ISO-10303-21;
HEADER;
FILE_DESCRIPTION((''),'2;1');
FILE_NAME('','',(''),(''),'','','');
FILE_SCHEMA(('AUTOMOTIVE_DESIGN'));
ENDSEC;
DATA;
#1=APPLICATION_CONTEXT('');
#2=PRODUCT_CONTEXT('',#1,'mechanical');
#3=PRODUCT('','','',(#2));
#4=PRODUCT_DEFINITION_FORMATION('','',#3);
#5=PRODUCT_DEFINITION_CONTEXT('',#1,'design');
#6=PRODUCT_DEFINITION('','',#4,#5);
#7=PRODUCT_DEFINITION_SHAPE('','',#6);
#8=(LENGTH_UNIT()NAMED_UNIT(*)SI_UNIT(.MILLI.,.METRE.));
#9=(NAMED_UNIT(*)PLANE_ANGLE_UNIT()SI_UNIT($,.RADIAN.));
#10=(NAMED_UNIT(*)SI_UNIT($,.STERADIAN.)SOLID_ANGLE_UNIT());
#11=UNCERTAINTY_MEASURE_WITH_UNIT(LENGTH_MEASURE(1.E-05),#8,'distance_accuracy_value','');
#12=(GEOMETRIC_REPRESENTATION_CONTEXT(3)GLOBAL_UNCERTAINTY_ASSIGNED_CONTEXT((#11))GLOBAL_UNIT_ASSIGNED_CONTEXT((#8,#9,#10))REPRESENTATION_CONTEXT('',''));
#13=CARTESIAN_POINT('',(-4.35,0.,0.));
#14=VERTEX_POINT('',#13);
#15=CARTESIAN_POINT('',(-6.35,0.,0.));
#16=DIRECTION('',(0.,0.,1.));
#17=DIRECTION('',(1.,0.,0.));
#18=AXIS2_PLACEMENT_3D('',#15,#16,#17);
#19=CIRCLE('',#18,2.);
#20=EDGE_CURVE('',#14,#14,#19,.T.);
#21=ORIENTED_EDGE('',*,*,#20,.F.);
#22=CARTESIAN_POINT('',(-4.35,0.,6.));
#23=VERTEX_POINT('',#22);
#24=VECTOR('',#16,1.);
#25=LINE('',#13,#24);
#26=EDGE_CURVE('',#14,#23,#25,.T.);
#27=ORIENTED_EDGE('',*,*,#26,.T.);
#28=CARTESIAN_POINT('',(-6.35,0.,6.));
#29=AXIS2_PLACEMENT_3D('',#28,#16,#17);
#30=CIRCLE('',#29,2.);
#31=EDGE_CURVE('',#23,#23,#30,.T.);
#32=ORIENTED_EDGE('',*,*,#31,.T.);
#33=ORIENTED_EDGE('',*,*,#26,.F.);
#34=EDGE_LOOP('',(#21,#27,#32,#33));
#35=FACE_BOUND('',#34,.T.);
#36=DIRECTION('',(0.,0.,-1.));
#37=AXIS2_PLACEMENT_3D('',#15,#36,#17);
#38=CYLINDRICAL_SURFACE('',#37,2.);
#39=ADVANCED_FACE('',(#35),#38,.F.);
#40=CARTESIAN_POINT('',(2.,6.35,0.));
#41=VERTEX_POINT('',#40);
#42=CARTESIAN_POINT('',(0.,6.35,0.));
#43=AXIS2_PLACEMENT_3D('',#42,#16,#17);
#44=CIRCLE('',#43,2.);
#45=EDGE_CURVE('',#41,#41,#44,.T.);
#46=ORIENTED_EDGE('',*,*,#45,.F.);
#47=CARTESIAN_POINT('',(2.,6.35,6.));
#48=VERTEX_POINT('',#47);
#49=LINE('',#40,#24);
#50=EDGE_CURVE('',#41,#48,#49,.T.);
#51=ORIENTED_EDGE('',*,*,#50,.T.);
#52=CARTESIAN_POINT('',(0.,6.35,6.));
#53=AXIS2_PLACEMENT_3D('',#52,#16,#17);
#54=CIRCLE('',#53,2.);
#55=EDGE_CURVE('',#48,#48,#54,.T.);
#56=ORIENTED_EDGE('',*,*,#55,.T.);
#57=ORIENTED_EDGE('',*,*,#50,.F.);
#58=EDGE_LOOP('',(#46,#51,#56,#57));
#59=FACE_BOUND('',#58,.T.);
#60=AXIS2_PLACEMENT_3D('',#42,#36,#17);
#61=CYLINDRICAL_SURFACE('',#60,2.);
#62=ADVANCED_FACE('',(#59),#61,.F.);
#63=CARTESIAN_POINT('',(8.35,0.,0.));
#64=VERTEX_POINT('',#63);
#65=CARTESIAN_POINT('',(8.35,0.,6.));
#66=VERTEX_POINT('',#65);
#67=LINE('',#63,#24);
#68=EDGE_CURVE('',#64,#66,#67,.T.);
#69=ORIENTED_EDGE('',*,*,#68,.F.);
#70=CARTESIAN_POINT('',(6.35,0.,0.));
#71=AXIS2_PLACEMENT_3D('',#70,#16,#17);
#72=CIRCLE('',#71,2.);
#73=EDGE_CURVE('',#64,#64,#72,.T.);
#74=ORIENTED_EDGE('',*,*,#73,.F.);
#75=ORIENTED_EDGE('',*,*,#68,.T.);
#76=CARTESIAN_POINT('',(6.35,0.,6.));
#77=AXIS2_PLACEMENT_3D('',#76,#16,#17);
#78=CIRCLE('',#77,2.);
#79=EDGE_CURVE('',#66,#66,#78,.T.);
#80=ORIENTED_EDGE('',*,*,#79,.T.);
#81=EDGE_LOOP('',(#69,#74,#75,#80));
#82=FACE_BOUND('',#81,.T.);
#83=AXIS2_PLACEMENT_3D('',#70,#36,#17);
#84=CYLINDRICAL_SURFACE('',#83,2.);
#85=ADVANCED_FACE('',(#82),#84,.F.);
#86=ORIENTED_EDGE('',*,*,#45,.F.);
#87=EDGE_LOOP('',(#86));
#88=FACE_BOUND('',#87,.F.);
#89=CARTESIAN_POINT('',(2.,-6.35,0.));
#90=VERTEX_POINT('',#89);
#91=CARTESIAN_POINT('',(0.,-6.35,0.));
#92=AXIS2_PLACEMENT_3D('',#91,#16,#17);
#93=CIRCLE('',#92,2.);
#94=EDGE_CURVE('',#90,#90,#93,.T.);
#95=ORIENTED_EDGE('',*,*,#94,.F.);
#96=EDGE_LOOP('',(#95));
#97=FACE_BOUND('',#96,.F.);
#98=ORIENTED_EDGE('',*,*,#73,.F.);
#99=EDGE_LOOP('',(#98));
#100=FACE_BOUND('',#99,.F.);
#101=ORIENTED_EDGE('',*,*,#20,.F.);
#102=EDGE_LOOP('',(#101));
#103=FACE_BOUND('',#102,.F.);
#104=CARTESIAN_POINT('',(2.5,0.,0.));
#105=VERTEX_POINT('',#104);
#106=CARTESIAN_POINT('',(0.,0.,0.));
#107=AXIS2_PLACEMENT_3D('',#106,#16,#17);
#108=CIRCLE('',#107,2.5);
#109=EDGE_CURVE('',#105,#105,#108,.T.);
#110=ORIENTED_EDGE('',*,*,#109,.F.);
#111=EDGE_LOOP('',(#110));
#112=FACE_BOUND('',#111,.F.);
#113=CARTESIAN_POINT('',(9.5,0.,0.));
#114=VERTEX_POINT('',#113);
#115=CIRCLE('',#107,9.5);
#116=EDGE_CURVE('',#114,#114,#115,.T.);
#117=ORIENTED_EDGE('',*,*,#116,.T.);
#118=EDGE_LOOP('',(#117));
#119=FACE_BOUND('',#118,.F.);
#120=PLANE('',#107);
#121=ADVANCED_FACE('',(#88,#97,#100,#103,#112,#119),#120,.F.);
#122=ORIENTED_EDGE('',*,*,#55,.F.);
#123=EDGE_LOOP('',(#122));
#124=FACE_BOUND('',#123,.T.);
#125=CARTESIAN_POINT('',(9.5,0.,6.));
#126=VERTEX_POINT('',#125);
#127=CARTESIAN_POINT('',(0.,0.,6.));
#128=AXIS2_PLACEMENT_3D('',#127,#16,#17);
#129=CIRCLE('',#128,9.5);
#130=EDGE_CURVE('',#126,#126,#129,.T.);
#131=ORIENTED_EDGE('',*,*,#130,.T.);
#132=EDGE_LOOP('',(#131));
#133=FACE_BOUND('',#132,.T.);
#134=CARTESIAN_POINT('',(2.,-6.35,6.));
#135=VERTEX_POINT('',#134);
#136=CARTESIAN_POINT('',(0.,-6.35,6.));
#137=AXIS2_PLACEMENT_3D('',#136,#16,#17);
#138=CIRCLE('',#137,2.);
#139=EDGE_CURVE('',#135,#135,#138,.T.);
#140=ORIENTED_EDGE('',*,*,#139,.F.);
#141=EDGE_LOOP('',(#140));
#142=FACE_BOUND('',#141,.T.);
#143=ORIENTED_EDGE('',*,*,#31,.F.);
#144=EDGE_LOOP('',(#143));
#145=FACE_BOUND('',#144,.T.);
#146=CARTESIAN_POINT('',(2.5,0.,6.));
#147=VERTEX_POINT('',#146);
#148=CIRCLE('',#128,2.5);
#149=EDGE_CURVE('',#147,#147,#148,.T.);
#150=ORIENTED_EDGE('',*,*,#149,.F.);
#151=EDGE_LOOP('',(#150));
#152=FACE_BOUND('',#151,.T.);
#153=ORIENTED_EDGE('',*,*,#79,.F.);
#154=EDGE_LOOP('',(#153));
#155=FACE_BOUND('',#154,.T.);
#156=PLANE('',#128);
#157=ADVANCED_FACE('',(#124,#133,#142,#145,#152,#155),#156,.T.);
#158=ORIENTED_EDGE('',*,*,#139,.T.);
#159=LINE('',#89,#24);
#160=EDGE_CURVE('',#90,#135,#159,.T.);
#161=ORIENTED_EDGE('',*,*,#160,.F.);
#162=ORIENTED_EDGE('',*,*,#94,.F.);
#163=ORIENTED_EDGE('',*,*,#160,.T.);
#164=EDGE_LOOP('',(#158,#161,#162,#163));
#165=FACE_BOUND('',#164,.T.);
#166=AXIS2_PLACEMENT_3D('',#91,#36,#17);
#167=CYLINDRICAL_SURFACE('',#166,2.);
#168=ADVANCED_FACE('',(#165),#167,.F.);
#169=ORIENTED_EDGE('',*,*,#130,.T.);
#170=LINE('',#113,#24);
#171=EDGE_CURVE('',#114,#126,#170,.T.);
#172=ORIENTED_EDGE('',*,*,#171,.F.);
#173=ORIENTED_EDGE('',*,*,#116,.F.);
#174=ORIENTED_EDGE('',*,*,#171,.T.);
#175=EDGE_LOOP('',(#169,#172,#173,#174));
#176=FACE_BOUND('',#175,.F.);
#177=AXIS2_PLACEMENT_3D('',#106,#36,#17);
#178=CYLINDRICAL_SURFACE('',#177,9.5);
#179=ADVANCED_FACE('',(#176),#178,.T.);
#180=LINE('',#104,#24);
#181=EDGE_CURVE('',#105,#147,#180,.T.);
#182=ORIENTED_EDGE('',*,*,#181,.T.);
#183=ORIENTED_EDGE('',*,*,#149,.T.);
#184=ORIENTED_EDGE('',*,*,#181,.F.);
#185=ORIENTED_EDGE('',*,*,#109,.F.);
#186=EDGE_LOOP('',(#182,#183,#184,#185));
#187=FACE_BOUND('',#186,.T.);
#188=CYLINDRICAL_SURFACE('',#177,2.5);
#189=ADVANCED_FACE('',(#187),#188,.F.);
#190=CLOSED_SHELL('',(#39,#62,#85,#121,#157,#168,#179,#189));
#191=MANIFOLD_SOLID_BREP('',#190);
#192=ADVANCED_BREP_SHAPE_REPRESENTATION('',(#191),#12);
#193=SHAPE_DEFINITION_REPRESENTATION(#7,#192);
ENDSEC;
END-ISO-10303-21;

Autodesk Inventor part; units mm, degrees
ref_plane "YZ Plane" through (0, 0, 0) normal (1, 0, 0) x (0, 1, 0)
ref_plane "XZ Plane" through (0, 0, 0) normal (0, 1, 0) x (-1, 0, 0)
ref_plane "XY Plane" through (0, 0, 0) normal (0, 0, 1) x (1, 0, 0)
sketch "Sketch1" plane through (0, 0, 0) normal (0, 0, 1) x (1, 0, 0)
  circle A0 centre (0, 0) radius 9.5
  circle A1 centre (0, 0) radius 2.5
  circle A2 centre (6.35, 0) radius 2
  circle A3 centre (0, 6.35) radius 2
  circle A4 centre (-6.35, 0) radius 2
  circle A5 centre (0, -6.35) radius 2
  dimension "d0" = 19
  dimension "d1" = 5
  dimension "d2" = 4
  dimension "d3" = 6.35
  dimension "d6" = 360
extrude "Extrusion1" add sketch "Sketch1" along normal blind 6
properties part number "HA015" material "ABS Plastic"
